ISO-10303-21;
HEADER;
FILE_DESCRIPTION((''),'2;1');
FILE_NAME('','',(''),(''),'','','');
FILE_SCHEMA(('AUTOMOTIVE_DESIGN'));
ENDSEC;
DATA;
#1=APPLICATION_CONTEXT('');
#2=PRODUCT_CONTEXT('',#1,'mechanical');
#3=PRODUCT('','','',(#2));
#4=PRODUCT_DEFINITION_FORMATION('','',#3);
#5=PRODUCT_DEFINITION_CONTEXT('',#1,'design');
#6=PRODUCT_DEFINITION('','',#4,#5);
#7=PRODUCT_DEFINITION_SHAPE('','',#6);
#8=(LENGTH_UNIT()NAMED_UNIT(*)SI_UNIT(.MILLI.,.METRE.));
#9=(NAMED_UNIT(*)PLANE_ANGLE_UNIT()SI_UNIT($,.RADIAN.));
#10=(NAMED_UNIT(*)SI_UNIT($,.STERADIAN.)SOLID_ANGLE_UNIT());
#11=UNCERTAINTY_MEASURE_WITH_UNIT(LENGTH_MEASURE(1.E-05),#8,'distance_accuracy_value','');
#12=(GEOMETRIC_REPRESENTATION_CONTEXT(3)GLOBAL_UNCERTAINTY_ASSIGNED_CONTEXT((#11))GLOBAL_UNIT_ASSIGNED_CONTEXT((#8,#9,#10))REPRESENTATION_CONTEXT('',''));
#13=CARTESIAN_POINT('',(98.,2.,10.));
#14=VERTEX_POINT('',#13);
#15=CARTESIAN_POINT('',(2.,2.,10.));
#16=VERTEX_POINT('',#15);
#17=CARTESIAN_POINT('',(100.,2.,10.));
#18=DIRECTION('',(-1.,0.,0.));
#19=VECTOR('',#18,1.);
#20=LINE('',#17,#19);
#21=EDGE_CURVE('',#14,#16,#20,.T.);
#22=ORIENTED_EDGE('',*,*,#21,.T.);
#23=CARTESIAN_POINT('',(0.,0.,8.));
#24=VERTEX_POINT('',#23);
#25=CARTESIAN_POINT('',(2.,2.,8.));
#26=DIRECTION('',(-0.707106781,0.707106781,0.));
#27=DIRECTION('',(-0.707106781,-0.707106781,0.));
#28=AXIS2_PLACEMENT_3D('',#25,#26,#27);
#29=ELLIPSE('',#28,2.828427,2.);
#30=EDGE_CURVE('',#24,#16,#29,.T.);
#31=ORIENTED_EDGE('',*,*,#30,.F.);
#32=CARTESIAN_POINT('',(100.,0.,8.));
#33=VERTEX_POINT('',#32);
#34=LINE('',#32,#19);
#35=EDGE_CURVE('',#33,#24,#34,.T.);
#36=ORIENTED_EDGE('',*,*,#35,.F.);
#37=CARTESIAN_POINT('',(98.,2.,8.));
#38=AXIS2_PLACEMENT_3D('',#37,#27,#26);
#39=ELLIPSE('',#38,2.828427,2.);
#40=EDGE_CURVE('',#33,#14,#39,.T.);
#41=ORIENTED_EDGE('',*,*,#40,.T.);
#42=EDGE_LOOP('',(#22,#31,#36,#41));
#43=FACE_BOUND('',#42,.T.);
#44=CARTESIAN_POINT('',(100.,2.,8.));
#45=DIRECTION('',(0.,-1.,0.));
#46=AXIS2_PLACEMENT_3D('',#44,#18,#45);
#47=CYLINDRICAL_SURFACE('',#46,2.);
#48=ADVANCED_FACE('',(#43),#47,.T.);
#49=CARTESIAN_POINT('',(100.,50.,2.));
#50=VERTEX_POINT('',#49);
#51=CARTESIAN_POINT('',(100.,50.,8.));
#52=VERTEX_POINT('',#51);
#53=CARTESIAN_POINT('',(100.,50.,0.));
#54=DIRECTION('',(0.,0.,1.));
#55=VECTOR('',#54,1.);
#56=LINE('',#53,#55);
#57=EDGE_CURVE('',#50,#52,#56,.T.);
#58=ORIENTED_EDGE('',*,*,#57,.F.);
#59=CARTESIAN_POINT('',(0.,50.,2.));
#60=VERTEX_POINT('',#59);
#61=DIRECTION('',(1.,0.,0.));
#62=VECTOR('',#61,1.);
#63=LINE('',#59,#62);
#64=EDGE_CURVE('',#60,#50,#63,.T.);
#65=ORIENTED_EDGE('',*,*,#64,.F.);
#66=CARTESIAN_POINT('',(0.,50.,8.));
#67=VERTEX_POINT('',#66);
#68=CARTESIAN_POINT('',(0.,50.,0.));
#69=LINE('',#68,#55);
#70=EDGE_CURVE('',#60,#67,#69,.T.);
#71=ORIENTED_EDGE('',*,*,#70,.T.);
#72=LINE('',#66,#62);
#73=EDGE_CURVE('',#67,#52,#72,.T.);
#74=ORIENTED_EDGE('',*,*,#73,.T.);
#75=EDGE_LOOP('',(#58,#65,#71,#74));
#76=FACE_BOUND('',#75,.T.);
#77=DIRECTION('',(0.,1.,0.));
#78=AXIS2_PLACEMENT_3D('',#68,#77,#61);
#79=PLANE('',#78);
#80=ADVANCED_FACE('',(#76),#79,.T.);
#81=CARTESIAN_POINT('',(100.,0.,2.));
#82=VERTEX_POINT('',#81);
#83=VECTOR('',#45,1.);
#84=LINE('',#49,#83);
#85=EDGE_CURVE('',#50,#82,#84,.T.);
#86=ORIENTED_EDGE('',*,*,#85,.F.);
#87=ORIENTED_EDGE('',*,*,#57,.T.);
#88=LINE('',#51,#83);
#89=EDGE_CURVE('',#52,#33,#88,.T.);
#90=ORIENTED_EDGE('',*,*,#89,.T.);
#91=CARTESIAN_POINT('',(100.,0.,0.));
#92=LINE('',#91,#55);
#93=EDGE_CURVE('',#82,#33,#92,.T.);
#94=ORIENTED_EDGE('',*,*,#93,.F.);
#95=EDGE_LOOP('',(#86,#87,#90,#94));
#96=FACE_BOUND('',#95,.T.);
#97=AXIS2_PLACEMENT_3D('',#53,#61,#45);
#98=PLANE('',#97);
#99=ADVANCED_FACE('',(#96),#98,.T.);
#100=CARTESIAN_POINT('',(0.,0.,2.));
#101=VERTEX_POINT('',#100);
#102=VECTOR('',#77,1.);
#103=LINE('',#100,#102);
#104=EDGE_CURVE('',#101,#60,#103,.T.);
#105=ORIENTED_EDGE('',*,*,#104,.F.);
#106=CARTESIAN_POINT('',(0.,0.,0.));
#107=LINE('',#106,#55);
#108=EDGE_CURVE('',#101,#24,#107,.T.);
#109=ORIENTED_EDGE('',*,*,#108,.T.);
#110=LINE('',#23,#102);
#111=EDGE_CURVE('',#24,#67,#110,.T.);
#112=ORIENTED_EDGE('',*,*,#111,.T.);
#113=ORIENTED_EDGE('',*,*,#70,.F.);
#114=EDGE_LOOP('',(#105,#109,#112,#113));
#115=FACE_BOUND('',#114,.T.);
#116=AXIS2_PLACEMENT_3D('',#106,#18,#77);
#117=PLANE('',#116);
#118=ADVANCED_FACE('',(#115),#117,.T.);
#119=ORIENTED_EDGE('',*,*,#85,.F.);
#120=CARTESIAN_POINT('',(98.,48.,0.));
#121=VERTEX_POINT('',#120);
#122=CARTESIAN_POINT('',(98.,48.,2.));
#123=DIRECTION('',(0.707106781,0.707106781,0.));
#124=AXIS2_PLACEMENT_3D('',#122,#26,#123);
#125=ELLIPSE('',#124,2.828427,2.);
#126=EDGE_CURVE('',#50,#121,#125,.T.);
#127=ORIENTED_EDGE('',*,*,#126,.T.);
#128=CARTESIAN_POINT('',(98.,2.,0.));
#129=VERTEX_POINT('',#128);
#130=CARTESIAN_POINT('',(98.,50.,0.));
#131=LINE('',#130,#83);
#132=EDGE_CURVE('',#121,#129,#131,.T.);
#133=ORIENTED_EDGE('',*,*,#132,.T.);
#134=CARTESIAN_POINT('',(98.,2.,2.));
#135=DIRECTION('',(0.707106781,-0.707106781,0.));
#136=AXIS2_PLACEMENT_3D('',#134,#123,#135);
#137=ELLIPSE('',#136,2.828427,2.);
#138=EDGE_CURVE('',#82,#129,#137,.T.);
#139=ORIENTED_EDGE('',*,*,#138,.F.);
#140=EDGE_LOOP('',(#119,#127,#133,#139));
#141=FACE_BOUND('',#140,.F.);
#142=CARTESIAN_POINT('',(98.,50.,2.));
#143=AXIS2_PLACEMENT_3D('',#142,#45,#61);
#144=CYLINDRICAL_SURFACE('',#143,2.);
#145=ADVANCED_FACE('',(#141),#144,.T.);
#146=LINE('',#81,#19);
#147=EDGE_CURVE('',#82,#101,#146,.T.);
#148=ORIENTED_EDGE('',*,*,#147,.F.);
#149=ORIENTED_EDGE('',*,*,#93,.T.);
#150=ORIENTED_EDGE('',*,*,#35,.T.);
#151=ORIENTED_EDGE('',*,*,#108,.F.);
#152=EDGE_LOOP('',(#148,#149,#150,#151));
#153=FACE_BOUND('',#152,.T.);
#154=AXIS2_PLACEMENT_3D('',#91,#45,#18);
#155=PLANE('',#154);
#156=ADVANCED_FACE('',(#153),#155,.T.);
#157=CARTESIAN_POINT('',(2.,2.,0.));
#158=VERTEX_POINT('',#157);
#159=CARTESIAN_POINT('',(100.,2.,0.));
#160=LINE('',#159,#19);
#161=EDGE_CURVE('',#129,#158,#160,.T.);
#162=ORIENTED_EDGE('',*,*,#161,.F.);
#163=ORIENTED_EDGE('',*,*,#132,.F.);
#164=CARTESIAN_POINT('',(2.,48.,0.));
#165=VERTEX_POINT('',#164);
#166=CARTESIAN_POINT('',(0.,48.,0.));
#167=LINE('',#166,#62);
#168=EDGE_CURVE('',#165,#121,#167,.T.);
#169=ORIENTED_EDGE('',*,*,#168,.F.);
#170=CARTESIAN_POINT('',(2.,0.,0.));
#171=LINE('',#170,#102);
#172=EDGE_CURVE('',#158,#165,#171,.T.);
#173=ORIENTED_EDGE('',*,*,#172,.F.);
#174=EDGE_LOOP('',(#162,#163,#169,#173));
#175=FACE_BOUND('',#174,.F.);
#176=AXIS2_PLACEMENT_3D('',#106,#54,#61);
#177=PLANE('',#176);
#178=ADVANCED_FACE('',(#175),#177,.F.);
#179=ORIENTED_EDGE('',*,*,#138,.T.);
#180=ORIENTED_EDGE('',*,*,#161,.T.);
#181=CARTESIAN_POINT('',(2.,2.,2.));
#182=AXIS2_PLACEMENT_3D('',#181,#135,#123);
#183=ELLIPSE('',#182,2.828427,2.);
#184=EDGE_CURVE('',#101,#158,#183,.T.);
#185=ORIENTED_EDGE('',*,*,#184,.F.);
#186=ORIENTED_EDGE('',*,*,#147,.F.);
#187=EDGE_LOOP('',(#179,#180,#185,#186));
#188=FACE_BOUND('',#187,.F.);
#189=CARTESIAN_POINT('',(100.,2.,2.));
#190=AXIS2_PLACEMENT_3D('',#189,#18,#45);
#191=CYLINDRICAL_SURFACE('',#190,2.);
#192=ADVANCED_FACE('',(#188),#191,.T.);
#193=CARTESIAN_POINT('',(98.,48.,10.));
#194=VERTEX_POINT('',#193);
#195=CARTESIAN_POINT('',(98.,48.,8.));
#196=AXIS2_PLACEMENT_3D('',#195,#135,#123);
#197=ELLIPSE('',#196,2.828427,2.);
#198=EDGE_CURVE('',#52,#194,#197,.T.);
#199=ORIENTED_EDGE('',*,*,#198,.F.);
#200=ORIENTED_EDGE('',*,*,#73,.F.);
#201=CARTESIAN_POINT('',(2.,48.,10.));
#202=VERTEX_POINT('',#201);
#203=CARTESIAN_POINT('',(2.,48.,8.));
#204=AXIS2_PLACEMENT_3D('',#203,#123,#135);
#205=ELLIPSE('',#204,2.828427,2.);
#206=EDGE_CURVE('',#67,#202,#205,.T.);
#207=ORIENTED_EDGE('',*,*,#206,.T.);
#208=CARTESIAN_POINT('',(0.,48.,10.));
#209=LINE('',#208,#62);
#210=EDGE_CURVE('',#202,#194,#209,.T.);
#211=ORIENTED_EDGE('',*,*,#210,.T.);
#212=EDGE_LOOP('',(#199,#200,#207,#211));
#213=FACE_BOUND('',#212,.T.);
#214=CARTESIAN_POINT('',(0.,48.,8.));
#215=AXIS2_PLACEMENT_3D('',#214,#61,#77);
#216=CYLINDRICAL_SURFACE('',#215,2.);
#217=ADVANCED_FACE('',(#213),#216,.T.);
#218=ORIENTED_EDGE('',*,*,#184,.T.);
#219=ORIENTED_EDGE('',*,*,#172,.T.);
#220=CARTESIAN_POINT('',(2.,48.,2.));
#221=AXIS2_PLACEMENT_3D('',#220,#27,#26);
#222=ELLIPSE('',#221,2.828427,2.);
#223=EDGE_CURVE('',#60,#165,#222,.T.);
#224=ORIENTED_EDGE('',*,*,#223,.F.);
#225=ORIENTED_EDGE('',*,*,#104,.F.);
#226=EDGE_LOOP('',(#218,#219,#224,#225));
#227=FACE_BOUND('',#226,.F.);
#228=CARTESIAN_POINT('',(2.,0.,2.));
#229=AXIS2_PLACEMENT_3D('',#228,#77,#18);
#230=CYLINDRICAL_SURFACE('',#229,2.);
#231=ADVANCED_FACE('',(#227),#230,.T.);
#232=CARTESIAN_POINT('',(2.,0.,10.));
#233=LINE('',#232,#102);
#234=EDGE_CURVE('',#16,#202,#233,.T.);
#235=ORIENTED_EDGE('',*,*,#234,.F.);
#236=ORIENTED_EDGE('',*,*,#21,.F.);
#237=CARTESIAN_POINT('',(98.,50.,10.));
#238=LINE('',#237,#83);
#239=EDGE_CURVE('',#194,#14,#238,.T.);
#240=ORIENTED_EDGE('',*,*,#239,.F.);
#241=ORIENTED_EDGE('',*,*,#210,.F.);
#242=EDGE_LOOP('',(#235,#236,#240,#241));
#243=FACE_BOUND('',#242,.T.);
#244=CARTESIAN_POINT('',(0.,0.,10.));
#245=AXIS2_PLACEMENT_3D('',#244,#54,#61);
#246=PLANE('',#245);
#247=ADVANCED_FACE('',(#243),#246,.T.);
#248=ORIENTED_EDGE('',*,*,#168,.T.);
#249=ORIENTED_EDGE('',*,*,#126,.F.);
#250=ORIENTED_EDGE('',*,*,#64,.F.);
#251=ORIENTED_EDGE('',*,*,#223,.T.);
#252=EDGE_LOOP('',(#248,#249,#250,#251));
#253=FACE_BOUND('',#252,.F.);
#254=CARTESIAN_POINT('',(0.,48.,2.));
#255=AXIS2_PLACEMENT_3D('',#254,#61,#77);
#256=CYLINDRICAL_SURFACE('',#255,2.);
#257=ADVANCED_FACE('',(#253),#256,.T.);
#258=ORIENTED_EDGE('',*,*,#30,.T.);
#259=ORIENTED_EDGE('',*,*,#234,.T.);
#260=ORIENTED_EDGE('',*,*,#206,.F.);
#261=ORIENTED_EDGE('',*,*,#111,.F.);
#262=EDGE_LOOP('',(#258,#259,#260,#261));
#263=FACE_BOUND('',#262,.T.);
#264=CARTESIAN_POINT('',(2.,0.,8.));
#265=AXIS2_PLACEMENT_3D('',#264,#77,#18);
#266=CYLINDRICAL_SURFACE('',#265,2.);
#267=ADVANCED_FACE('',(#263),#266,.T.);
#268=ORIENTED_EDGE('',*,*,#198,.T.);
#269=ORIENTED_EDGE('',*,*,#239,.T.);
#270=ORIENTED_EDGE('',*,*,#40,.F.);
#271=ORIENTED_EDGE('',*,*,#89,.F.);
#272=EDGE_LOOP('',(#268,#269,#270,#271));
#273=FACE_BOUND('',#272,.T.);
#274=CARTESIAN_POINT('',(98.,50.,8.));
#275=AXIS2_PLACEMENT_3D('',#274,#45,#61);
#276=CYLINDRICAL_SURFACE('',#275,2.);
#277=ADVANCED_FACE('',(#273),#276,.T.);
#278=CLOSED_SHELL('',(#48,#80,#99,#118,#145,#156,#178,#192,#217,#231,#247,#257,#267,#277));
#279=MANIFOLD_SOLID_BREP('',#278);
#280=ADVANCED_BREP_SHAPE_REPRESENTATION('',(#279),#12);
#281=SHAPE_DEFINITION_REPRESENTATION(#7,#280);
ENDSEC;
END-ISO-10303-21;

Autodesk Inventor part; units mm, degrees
ref_plane "YZ Plane" through (0, 0, 0) normal (1, 0, 0) x (0, 1, 0)
ref_plane "XZ Plane" through (0, 0, 0) normal (0, 1, 0) x (-1, 0, 0)
ref_plane "XY Plane" through (0, 0, 0) normal (0, 0, 1) x (1, 0, 0)
sketch "Szkic1" plane through (0, 0, 0) normal (0, 0, 1) x (1, 0, 0)
  line L0 (0, 0) -> (0, 50)
  line L1 (0, 50) -> (100, 50)
  line L2 (100, 50) -> (100, 0)
  line L3 (100, 0) -> (0, 0)
  dimension "d0" = 50
  dimension "d1" = 100
extrude "Wyciągnięcie proste1" add sketch "Szkic1" along normal blind 10
fillet "Zaokrąglenie1" radius 2 8 edges at (50, 0, 10) (50, 50, 10) (0, 25, 10) (0, 25, 0) (50, 50, 0) (100, 25, 0) (100, 25, 10) (50, 0, 0)
properties part number "blat"
